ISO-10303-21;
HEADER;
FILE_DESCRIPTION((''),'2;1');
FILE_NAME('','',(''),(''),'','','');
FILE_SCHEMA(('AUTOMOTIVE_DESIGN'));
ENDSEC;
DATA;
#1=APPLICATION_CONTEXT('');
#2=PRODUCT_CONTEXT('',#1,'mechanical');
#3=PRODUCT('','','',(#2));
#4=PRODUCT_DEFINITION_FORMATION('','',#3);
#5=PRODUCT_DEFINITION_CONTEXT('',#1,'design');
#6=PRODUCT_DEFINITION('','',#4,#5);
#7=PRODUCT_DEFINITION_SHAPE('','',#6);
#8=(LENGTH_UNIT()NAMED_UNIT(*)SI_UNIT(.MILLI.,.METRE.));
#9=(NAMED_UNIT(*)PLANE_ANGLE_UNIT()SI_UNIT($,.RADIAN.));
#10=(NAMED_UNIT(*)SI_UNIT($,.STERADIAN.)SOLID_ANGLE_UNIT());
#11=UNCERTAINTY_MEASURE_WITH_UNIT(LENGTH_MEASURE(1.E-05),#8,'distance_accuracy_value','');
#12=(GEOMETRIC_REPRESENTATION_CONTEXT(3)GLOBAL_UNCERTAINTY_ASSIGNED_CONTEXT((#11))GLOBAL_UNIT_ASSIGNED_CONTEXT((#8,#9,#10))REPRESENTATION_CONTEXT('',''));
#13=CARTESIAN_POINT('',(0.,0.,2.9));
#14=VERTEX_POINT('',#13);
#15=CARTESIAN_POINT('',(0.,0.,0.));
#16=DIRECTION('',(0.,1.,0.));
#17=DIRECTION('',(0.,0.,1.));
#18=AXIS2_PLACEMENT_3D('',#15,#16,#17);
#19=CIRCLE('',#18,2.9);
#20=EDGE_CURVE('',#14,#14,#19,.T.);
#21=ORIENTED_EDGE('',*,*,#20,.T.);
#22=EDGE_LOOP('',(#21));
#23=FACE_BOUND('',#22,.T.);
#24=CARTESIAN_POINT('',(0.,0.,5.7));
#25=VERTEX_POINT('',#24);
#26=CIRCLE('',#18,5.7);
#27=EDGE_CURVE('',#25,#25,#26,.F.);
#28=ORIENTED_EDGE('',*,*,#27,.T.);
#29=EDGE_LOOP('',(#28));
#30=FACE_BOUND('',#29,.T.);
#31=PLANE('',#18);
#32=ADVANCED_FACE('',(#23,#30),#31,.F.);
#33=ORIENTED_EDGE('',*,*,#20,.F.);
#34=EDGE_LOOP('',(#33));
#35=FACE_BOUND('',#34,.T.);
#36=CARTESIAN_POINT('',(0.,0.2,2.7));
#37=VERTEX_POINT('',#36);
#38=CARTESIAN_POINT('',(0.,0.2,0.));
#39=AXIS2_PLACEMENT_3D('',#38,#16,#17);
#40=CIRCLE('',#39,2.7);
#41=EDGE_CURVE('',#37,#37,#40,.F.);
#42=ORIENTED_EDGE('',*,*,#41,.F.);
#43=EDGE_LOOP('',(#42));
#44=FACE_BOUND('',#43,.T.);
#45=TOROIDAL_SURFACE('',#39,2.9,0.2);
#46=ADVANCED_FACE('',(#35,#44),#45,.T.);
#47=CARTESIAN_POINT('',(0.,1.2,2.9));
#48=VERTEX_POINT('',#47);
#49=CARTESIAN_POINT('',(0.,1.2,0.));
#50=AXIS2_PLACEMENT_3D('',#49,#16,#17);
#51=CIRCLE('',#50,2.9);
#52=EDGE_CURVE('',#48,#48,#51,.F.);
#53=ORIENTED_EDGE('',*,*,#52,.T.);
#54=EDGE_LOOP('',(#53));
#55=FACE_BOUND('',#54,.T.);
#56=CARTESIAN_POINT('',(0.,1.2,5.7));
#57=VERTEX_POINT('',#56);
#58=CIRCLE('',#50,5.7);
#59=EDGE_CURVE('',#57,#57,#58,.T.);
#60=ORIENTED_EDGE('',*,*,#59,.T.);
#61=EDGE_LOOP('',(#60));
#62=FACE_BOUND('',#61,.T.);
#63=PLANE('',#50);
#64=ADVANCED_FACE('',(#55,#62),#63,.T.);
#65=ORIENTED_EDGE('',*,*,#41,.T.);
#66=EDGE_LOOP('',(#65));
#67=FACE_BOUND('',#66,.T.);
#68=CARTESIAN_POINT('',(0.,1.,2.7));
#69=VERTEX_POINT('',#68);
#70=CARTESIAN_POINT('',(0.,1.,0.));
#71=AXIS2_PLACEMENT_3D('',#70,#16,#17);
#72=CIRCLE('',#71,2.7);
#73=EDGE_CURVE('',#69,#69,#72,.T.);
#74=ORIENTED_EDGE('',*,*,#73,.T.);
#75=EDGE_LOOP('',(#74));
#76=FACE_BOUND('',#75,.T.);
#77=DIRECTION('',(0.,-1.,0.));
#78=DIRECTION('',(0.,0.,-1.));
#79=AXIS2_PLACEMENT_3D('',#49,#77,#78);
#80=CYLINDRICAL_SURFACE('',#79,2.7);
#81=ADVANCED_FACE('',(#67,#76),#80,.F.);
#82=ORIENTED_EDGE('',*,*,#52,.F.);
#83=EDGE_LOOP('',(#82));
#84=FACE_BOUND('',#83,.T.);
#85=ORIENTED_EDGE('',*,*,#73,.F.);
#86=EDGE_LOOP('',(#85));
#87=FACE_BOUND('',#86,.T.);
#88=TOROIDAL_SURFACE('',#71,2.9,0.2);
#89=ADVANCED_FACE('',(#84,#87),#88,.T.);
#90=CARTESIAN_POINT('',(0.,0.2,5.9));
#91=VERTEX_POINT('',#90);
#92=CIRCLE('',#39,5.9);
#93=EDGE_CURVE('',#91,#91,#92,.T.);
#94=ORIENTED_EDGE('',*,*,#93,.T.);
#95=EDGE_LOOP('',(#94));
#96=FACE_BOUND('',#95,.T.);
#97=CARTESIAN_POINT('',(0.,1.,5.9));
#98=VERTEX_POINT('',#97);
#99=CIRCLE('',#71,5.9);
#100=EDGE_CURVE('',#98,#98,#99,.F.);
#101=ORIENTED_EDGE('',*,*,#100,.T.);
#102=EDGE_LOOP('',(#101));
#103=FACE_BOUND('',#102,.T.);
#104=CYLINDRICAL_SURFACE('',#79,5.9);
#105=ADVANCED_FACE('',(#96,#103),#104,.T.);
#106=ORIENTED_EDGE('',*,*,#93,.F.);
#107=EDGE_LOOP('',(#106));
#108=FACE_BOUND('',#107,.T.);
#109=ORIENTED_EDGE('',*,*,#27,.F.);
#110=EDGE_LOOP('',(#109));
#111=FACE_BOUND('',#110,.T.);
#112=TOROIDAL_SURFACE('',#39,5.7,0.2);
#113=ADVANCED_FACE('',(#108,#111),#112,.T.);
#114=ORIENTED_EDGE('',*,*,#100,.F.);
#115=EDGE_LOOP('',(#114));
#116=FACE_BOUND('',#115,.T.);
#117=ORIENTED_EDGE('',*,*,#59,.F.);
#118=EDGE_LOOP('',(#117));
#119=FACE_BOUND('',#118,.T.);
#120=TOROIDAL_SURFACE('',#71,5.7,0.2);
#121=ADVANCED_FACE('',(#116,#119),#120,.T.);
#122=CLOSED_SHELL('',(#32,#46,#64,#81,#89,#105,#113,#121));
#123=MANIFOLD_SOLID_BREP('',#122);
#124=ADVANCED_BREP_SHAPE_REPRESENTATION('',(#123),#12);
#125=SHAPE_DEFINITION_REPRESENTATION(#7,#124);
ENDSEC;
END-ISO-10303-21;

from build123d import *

# Parameters (mm, degrees)
MAIN_SKETCH_R     = 5.9
MAIN_SKETCH_R_2   = 2.7
WASHER_MAIN_DEPTH = 1.2
EDGE_FILLETS_R    = 0.2


with BuildPart() as part:
    # Main Sketch → Washer Main (new body)
    with BuildSketch(Plane(origin=(0, 0, 0), x_dir=(1, 0, 0), z_dir=(0, 1, 0))):
        with Locations(Location((0, 0, 0), (0, 0, 270))):
            Circle(MAIN_SKETCH_R)
        with Locations(Location((0, 0, 0), (0, 0, 270))):
            Circle(MAIN_SKETCH_R_2, mode=Mode.SUBTRACT)
    extrude(amount=WASHER_MAIN_DEPTH)

    # Edge Fillets
    edge_fillets_edges = [part.edges().sort_by_distance(p)[0] for p in [
        (0, 0, -5.9),
        (0, 1.2, -5.9),
        (0, 0, -2.7),
        (0, 1.2, -2.7),
    ]]
    fillet(edge_fillets_edges, radius=EDGE_FILLETS_R)


solid = part.part
